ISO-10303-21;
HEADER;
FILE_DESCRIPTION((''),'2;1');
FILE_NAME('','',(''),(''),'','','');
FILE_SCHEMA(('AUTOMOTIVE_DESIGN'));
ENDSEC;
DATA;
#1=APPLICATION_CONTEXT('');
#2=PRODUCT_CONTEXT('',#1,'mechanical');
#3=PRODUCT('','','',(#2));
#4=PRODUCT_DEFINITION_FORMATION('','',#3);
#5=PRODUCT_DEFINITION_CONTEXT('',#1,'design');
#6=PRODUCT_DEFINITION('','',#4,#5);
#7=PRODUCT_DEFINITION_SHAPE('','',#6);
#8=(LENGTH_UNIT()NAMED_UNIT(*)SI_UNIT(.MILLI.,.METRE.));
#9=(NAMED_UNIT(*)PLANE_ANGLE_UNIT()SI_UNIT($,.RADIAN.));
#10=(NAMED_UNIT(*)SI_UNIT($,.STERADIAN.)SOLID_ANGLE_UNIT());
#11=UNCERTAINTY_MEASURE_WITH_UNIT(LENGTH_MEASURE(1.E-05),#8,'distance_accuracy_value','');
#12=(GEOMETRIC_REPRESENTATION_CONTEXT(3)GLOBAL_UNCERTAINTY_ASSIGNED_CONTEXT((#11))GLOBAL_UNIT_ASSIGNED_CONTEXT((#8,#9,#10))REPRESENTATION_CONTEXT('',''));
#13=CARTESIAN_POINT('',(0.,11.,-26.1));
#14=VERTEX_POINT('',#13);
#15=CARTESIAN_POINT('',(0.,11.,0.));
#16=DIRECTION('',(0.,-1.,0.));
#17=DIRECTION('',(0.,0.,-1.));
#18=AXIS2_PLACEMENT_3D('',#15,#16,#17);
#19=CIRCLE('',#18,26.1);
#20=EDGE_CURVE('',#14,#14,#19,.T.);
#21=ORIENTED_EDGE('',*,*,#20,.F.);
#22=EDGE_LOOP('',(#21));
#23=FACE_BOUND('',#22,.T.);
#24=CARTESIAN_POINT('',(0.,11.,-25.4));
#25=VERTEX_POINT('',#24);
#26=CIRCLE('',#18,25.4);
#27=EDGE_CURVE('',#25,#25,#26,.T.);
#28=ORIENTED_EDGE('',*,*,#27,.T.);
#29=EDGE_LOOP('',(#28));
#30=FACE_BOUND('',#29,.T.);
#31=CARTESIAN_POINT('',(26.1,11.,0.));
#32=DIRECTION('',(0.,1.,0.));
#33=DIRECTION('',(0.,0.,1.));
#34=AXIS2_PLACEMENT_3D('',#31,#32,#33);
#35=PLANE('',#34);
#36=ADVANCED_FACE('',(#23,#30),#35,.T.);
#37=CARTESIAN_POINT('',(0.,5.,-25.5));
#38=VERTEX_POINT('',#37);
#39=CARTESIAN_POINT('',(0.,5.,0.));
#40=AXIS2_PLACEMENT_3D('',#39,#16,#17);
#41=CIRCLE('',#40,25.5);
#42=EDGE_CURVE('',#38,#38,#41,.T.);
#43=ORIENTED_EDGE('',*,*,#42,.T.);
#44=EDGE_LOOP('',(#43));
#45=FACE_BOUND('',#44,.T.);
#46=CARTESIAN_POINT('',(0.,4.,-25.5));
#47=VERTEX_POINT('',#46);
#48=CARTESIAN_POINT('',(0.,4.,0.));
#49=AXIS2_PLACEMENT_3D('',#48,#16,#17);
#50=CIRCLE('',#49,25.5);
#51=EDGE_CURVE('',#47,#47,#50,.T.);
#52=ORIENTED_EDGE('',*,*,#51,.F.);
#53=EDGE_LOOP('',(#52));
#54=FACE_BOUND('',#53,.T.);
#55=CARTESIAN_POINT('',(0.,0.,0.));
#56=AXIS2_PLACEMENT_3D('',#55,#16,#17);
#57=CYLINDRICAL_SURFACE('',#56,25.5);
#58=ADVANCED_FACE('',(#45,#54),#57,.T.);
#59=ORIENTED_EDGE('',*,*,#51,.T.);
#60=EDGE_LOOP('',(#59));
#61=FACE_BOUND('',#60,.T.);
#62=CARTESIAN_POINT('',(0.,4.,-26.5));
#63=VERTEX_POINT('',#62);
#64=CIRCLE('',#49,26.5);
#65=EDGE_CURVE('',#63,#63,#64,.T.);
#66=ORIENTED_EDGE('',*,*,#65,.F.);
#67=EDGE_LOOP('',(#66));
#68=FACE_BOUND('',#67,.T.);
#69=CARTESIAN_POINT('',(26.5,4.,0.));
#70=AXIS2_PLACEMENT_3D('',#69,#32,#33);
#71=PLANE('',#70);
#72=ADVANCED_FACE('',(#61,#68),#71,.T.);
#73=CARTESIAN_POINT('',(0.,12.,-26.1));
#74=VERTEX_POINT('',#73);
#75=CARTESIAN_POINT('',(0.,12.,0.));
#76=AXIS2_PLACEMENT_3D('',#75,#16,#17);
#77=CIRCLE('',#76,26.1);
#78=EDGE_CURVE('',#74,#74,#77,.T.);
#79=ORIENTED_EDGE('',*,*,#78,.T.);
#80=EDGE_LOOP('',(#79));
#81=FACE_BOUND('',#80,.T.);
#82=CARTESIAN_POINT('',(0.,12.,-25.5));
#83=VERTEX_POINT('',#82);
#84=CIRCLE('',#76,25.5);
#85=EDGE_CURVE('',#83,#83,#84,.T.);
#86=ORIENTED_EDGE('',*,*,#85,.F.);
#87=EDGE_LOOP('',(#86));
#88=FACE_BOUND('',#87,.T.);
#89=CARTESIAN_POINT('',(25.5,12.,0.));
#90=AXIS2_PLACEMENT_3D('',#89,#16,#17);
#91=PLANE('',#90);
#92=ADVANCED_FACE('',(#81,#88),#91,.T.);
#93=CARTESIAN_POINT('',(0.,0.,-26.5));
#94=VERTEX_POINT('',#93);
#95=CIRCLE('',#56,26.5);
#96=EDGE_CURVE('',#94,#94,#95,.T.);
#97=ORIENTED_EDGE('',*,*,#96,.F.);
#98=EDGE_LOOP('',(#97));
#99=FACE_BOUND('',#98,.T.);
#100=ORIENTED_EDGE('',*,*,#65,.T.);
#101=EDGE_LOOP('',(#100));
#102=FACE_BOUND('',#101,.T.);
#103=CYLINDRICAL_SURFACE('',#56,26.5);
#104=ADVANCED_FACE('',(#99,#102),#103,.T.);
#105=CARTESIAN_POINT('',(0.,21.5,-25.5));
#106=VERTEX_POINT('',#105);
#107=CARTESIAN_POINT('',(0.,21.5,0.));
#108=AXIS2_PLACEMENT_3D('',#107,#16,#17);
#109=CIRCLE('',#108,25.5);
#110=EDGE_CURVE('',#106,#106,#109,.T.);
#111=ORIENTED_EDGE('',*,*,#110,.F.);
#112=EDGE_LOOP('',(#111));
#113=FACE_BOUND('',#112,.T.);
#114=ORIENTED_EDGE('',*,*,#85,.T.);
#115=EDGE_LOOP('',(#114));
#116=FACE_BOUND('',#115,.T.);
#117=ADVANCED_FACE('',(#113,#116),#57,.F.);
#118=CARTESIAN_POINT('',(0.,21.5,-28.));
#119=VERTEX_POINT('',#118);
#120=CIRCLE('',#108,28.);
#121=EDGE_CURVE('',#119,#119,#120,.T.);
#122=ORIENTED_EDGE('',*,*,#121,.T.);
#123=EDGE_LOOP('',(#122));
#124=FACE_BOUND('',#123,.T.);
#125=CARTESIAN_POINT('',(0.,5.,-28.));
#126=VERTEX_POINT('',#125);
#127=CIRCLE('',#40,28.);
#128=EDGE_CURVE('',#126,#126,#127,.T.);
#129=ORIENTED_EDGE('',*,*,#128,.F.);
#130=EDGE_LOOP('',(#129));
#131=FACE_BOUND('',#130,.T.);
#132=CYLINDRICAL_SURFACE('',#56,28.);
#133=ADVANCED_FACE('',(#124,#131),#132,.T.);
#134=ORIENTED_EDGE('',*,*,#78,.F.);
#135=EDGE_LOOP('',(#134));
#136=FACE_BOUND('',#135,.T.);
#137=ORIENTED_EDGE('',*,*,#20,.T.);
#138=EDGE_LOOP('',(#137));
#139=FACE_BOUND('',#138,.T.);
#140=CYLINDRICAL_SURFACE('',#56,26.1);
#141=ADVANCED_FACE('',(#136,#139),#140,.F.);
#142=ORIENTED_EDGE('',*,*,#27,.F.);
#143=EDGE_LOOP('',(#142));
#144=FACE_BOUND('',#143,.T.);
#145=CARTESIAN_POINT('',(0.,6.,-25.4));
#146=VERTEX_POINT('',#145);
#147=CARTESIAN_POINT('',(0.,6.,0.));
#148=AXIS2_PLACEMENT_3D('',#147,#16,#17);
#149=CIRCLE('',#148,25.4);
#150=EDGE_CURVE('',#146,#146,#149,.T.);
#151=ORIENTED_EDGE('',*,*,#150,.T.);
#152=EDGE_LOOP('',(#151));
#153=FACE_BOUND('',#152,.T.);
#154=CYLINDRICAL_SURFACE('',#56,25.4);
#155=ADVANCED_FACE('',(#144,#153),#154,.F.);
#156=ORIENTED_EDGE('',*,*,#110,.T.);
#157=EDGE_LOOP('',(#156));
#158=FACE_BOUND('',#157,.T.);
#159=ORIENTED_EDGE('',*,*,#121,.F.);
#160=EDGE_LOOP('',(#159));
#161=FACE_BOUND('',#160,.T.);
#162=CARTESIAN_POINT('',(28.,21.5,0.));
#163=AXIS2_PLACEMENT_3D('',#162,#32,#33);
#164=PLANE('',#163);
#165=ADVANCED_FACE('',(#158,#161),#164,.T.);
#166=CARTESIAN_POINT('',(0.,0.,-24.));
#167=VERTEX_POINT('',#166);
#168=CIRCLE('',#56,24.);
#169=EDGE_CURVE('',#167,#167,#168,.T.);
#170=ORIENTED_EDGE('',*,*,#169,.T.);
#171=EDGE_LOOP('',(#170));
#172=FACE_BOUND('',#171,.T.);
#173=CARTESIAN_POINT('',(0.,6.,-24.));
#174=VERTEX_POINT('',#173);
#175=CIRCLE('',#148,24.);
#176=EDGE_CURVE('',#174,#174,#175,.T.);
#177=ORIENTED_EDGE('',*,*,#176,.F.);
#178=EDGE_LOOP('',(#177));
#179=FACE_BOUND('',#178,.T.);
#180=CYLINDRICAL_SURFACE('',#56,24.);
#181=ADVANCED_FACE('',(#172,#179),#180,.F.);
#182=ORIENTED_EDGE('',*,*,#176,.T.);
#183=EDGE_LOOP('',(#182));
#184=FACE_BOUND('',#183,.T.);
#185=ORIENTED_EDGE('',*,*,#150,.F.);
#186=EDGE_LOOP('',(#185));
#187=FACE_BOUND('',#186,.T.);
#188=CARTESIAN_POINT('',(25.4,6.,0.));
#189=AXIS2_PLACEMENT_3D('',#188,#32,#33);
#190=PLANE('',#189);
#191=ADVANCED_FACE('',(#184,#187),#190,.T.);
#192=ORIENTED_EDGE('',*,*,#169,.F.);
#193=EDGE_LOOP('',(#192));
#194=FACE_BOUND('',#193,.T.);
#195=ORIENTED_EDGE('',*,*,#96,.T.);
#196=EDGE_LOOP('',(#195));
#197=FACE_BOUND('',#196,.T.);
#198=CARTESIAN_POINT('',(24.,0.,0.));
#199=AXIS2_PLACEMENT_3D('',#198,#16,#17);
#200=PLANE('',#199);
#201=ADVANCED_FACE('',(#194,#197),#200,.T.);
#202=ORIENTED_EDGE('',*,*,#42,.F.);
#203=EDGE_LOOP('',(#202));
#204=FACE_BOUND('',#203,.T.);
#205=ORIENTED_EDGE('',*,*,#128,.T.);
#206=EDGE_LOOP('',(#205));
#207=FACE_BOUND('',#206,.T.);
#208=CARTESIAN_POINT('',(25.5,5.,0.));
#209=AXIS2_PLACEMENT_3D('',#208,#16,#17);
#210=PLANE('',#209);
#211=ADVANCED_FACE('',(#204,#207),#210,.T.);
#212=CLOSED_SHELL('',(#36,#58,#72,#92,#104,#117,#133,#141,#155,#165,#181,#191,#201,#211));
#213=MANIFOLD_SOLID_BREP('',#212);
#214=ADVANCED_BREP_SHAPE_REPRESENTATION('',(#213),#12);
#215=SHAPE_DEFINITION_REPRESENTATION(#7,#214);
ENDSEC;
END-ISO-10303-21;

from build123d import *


with BuildPart() as part:
    # 草图1 → 旋转1 (revolve)
    with BuildSketch(Plane.XY, mode=Mode.PRIVATE) as revolve_1_sk:
        Polygon((24, 0), (26.5, 0), (26.5, 4), (25.5, 4), (25.5, 5), (28, 5), (28, 21.5), (25.5, 21.5), (25.5, 12), (26.1, 12), (26.1, 11), (25.4, 11), (25.4, 6), (24, 6), align=None)
    revolve(revolve_1_sk.sketch.rotate(Axis((0, 0, 0), (0, 1, 0)), 90), axis=Axis((0, 0, 0), (0, 1, 0)))  # turned: the seam where the file's is


solid = part.part
